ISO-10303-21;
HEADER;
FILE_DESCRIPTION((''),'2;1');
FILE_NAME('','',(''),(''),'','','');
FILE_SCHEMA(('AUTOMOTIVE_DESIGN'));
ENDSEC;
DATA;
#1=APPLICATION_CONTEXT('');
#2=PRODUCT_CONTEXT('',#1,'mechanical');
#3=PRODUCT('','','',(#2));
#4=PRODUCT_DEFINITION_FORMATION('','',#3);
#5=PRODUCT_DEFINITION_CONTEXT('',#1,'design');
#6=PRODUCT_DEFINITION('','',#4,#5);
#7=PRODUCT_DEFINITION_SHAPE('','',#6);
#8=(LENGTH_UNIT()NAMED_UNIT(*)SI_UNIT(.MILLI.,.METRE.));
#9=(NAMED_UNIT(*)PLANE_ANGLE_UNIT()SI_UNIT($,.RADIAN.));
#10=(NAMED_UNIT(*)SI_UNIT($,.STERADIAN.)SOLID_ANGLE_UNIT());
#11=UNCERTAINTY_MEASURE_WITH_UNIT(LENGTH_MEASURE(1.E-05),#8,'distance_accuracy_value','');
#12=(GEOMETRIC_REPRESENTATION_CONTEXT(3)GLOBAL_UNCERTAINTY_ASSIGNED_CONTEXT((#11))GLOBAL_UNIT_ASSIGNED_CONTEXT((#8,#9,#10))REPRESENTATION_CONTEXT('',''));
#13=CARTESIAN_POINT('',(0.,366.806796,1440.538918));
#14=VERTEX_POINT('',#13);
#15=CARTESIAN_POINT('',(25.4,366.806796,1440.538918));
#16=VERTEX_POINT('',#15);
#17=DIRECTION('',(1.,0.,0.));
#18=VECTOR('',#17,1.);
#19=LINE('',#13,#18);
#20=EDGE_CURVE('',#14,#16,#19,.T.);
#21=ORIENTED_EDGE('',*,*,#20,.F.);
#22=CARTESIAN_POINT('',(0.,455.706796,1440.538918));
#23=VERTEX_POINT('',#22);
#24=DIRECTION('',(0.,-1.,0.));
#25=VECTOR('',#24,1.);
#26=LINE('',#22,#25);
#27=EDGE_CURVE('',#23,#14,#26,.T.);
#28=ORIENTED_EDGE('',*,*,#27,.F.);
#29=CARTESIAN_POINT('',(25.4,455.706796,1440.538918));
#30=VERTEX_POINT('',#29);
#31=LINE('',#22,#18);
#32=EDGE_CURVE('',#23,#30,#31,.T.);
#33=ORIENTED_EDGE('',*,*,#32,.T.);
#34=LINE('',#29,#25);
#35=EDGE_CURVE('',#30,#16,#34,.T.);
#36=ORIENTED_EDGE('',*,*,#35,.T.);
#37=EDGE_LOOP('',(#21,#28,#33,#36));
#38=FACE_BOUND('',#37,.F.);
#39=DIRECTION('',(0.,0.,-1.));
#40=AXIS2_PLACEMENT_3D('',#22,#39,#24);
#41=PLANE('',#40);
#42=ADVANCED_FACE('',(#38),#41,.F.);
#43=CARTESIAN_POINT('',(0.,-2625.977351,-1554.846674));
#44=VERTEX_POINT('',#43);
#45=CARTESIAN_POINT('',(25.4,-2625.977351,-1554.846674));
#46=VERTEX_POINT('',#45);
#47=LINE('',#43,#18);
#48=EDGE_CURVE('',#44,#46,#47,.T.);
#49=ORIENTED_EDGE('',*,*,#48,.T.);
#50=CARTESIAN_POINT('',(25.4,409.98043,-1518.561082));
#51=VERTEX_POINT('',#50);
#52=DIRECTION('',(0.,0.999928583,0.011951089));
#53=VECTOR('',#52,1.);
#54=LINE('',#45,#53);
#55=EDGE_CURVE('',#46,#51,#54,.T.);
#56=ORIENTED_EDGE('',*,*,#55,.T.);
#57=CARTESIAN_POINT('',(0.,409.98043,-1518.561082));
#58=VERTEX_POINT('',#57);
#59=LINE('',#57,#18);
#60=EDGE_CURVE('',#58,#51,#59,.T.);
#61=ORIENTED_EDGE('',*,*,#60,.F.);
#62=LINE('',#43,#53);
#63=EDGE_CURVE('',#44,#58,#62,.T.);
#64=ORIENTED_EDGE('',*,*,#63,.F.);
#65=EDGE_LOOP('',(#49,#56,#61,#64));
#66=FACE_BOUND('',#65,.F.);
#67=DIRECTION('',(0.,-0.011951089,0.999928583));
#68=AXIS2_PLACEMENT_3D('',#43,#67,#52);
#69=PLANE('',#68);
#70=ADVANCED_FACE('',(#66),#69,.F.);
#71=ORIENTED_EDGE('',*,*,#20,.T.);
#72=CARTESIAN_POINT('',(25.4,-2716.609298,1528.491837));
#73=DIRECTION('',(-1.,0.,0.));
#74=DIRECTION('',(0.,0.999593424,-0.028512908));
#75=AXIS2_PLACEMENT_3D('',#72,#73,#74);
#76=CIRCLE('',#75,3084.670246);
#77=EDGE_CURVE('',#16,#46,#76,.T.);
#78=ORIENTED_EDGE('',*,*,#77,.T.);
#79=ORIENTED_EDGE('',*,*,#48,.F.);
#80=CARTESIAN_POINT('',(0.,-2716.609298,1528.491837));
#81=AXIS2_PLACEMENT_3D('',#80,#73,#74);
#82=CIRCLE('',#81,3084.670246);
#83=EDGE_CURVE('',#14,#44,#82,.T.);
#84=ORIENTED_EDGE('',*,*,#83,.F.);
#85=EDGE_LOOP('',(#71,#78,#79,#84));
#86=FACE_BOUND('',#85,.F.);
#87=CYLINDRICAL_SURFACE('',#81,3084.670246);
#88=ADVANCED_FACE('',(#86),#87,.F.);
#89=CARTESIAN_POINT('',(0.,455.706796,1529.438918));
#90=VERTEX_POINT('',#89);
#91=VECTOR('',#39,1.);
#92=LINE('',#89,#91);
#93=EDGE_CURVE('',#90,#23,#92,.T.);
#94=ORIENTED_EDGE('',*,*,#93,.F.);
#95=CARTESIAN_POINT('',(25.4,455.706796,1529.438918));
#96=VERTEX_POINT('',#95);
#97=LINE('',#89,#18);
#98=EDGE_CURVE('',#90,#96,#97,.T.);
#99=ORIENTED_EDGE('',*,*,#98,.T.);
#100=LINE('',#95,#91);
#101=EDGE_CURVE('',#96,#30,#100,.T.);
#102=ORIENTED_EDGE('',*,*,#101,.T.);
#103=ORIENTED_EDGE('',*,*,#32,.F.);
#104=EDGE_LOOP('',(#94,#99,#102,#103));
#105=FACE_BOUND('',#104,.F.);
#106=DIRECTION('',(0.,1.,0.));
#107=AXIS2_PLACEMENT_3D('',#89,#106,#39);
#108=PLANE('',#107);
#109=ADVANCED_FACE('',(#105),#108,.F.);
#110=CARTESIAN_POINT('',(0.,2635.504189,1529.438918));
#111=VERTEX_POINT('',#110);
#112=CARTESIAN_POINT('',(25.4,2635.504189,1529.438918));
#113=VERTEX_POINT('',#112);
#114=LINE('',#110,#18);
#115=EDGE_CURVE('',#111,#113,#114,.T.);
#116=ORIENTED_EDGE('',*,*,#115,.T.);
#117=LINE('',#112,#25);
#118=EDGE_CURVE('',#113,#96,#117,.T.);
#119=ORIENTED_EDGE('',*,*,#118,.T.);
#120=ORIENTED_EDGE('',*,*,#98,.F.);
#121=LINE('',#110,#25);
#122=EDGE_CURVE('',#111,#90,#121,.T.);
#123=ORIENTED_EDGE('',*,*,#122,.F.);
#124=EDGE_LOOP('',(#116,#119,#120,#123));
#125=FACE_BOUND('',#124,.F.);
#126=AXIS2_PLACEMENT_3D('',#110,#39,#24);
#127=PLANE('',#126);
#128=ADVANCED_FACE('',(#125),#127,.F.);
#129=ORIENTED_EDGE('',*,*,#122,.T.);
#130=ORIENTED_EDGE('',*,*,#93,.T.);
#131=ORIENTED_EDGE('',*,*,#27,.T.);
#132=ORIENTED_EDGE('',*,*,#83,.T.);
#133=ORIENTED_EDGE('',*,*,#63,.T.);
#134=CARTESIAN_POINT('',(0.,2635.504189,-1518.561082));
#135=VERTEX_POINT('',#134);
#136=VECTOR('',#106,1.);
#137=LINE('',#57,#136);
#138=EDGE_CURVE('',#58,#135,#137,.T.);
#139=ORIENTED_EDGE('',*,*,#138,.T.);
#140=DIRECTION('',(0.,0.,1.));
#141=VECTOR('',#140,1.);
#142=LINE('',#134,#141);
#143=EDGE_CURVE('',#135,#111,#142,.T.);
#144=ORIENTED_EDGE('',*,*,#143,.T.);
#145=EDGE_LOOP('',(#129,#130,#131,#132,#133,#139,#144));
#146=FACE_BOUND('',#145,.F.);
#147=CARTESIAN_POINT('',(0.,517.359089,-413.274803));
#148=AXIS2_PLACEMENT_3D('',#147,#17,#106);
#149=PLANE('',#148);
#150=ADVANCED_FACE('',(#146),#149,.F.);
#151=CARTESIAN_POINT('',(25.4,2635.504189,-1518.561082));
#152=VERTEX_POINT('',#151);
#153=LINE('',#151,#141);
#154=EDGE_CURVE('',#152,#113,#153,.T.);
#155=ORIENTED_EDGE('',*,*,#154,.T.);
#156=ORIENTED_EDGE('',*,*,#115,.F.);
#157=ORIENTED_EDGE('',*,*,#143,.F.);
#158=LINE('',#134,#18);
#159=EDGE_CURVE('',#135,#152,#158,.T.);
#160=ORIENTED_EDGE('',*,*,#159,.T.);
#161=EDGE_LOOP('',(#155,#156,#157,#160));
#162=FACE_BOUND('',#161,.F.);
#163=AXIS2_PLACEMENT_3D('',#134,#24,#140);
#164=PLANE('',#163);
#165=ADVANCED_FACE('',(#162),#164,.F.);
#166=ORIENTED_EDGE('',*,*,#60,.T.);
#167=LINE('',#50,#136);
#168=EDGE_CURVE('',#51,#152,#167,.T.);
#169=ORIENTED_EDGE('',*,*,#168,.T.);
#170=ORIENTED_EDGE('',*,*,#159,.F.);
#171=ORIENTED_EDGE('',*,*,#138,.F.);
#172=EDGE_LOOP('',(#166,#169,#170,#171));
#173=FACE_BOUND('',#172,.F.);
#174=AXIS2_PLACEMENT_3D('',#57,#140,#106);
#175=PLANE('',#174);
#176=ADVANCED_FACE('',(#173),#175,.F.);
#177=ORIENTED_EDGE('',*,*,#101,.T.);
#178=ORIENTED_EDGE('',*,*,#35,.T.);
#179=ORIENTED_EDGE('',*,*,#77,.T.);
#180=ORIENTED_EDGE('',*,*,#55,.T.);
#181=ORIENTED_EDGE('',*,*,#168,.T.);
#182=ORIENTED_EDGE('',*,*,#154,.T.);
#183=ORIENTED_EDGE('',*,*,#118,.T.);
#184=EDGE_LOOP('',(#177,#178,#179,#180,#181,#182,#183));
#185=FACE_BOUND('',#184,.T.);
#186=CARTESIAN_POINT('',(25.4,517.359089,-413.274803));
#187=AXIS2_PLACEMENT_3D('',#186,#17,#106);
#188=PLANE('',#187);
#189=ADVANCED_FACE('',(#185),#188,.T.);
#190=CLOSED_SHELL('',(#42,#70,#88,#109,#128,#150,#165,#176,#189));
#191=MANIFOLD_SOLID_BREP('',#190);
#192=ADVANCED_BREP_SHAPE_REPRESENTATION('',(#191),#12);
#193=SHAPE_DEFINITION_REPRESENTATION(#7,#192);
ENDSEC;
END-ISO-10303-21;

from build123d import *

# Parameters (mm, degrees)
F1_DEPTH = 25.4


with BuildPart() as f1:
    # F0 (on Right) → F1 (new body)
    with BuildSketch(Plane.YZ):
        with BuildLine():
            Line((2635.504189, 1529.438918), (455.706796, 1529.438918))
            Line((455.706796, 1529.438918), (455.706796, 1440.538918))
            Line((455.706796, 1440.538918), (366.806796, 1440.538918))
            ThreePointArc((366.806796, 1440.538918), (-534.470679, -651.751629), (-2625.977351, -1554.846674))
            Line((-2625.977351, -1554.846674), (409.98043, -1518.561082))
            Line((409.98043, -1518.561082), (2635.504189, -1518.561082))
            Line((2635.504189, -1518.561082), (2635.504189, 1529.438918))
        make_face()
    extrude(amount=F1_DEPTH)


solid = f1.part
